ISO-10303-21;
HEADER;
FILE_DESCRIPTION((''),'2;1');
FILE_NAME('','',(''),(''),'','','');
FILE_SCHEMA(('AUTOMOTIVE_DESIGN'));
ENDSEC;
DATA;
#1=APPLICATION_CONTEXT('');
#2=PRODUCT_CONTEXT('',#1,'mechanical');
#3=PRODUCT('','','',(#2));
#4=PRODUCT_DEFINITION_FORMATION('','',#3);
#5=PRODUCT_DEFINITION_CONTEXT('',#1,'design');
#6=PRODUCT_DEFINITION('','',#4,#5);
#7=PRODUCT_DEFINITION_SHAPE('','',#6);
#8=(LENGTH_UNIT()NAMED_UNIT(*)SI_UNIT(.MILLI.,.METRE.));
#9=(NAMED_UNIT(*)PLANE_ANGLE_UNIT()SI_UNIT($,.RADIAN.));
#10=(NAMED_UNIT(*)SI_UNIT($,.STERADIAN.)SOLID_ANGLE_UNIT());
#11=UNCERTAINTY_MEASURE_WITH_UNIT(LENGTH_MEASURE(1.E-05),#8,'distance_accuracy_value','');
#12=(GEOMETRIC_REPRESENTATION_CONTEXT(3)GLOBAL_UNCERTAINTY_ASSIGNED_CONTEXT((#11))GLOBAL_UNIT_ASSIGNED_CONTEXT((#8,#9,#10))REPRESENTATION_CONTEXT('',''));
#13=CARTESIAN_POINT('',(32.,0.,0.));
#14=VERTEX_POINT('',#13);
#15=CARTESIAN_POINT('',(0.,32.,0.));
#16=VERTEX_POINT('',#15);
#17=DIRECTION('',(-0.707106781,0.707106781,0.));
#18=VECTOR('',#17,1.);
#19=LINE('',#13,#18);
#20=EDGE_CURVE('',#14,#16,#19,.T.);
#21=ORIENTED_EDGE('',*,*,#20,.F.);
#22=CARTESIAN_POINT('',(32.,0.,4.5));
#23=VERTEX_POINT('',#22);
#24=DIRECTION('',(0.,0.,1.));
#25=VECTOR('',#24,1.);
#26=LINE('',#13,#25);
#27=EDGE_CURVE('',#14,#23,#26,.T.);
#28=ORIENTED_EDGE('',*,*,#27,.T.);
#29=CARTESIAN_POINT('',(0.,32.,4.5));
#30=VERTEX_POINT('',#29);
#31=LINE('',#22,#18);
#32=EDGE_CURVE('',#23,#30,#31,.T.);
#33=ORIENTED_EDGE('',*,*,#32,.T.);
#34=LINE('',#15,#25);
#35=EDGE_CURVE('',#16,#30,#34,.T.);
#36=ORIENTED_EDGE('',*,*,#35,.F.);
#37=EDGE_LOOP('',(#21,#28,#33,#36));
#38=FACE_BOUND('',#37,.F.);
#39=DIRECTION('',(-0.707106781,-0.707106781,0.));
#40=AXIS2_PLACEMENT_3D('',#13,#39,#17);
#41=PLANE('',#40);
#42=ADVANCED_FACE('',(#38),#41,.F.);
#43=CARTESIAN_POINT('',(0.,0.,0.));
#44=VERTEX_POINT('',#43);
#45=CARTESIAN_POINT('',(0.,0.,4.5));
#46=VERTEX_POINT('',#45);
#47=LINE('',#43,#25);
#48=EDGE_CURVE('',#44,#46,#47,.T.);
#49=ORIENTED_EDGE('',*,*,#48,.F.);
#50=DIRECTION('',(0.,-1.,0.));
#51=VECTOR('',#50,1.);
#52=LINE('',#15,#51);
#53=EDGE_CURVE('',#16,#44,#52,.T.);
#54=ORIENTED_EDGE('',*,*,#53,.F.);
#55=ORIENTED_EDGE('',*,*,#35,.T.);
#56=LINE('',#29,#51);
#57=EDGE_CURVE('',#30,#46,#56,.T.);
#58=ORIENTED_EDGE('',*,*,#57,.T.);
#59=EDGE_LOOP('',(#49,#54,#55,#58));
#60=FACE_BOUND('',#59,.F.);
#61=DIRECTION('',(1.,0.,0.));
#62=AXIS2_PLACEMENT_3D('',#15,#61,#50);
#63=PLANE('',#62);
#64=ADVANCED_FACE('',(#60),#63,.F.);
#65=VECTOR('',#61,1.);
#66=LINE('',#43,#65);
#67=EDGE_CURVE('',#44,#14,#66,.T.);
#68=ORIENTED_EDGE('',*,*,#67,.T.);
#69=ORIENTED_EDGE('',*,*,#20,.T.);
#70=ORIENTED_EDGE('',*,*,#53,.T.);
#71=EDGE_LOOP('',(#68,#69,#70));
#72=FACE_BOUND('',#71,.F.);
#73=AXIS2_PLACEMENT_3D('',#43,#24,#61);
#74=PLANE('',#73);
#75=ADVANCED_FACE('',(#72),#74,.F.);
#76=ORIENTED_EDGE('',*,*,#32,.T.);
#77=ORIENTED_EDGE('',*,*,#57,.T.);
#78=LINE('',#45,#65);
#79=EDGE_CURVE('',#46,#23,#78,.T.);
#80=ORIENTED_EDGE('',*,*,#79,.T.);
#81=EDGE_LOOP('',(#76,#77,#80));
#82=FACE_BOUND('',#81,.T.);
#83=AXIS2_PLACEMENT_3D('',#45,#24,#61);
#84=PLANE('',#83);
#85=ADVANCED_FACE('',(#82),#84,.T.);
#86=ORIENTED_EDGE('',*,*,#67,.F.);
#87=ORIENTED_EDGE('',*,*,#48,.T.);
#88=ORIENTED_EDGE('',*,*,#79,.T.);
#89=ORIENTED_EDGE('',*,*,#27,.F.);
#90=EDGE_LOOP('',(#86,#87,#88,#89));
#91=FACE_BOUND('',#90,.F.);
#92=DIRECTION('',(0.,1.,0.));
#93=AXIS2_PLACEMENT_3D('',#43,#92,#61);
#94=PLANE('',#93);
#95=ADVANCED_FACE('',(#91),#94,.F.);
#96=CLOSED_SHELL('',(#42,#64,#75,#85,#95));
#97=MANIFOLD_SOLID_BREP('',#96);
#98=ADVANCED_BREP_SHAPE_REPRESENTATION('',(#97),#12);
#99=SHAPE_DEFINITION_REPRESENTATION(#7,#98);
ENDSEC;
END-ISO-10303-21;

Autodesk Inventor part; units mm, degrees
ref_plane "YZ Plane" through (0, 0, 0) normal (1, 0, 0) x (0, 1, 0)
ref_plane "XZ Plane" through (0, 0, 0) normal (0, 1, 0) x (-1, 0, 0)
ref_plane "XY Plane" through (0, 0, 0) normal (0, 0, 1) x (1, 0, 0)
sketch "スケッチ1" plane through (0, 0, 0) normal (0, 0, 1) x (1, 0, 0)
  line L0 (0, 0) -> (32, 0)
  line L1 (32, 0) -> (0, 32)
  line L2 (0, 32) -> (0, 0)
  dimension "d0" = 32
  dimension "d1" = 45
extrude "押し出し1" add sketch "スケッチ1" along normal blind 4.5
properties part number "リブ"
